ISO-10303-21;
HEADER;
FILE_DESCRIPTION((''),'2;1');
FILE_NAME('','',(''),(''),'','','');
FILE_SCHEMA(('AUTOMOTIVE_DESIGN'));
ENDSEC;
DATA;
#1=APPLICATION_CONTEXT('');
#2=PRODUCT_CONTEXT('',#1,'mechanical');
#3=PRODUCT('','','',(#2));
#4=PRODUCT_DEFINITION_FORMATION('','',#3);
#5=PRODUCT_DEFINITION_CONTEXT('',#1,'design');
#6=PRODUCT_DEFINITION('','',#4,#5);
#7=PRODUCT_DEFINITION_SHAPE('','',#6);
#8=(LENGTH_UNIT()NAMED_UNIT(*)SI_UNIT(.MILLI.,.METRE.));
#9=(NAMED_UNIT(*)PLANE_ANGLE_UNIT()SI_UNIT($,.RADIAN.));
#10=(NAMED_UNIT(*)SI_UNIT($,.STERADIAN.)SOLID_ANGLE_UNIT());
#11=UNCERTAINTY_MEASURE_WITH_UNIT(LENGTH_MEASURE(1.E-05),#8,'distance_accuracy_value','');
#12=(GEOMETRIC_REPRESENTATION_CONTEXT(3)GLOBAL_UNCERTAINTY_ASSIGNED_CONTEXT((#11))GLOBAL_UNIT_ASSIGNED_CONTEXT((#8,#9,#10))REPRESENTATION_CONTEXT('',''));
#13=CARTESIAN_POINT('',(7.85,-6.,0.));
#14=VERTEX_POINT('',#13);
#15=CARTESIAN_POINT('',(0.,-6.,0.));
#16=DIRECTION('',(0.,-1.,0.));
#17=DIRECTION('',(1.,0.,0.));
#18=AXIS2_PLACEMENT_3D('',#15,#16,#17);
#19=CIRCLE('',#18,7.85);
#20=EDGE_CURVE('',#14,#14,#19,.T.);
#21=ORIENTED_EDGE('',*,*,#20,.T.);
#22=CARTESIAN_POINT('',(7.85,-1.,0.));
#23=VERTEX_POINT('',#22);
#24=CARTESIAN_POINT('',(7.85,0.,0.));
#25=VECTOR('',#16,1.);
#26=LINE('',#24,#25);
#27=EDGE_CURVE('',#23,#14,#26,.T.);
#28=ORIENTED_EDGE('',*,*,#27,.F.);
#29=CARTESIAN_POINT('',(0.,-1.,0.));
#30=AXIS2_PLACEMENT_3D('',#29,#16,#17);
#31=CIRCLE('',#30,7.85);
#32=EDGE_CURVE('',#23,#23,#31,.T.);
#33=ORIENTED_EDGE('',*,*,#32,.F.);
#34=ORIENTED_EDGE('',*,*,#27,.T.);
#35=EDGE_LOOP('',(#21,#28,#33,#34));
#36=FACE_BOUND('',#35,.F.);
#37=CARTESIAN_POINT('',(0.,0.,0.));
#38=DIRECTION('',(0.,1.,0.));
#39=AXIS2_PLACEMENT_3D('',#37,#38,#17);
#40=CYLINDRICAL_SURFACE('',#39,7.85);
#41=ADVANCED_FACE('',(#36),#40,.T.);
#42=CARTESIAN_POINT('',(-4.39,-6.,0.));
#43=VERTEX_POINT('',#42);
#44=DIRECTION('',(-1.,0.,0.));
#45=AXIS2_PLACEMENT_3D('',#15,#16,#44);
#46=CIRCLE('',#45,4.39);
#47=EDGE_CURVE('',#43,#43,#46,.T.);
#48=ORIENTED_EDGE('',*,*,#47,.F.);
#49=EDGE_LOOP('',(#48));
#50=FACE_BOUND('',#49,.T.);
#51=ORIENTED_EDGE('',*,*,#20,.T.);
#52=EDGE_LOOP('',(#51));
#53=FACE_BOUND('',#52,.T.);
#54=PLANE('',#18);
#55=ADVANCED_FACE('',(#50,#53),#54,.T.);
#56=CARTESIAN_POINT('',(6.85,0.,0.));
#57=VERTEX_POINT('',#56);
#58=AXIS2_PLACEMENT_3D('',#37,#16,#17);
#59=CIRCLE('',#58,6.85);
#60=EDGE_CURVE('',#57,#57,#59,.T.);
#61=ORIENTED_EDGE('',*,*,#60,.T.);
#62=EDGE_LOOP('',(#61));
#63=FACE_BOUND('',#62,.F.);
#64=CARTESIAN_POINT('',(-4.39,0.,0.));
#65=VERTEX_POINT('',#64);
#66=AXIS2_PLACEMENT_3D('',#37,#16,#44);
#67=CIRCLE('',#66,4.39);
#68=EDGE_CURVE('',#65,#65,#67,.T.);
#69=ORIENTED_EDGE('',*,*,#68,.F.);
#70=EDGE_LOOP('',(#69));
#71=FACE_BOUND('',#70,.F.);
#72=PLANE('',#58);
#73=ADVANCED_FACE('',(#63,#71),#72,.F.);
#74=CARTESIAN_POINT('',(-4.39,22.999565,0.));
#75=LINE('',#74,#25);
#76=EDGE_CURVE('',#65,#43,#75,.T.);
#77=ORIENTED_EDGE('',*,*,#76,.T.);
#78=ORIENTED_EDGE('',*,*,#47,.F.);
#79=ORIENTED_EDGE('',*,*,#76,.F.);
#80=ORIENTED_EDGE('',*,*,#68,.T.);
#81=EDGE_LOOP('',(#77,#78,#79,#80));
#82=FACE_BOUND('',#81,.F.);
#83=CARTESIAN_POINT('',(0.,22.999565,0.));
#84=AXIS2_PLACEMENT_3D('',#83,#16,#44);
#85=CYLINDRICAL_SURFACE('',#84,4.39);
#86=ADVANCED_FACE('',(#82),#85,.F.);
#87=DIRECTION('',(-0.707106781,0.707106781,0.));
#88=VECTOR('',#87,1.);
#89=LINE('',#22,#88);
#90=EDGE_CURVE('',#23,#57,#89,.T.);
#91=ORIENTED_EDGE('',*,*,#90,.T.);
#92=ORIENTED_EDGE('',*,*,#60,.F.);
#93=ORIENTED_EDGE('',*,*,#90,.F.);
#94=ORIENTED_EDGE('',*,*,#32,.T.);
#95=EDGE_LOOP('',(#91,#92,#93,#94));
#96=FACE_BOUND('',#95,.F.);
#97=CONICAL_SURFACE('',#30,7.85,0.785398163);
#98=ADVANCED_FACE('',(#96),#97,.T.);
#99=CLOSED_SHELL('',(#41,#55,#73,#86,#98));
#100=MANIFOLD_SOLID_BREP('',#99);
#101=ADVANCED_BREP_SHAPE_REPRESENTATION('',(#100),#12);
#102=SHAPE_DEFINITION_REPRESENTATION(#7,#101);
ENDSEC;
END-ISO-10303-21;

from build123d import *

# Parameters (mm, degrees)
F0_R     = 7.85
F2_DEPTH = 6
F3_D     = 8.78
F4_SIZE  = 1


with BuildPart() as f2:
    # F0 (on Front) → F2 (new body)
    with BuildSketch(Plane.XZ):
        Circle(F0_R)
    extrude(amount=F2_DEPTH)

    # F3 (through all)
    with Locations(Plane(origin=(0, 0, 0), x_dir=(1, 0, 0), z_dir=(0, 1, 0))):
        with Locations((0, 0)):
            Hole(F3_D / 2)

    # F4
    f4_edges = [f2.edges().sort_by_distance(p)[0] for p in [
        (-7.85, 0, 0),
    ]]
    chamfer(f4_edges, length=F4_SIZE)


solid = f2.part
